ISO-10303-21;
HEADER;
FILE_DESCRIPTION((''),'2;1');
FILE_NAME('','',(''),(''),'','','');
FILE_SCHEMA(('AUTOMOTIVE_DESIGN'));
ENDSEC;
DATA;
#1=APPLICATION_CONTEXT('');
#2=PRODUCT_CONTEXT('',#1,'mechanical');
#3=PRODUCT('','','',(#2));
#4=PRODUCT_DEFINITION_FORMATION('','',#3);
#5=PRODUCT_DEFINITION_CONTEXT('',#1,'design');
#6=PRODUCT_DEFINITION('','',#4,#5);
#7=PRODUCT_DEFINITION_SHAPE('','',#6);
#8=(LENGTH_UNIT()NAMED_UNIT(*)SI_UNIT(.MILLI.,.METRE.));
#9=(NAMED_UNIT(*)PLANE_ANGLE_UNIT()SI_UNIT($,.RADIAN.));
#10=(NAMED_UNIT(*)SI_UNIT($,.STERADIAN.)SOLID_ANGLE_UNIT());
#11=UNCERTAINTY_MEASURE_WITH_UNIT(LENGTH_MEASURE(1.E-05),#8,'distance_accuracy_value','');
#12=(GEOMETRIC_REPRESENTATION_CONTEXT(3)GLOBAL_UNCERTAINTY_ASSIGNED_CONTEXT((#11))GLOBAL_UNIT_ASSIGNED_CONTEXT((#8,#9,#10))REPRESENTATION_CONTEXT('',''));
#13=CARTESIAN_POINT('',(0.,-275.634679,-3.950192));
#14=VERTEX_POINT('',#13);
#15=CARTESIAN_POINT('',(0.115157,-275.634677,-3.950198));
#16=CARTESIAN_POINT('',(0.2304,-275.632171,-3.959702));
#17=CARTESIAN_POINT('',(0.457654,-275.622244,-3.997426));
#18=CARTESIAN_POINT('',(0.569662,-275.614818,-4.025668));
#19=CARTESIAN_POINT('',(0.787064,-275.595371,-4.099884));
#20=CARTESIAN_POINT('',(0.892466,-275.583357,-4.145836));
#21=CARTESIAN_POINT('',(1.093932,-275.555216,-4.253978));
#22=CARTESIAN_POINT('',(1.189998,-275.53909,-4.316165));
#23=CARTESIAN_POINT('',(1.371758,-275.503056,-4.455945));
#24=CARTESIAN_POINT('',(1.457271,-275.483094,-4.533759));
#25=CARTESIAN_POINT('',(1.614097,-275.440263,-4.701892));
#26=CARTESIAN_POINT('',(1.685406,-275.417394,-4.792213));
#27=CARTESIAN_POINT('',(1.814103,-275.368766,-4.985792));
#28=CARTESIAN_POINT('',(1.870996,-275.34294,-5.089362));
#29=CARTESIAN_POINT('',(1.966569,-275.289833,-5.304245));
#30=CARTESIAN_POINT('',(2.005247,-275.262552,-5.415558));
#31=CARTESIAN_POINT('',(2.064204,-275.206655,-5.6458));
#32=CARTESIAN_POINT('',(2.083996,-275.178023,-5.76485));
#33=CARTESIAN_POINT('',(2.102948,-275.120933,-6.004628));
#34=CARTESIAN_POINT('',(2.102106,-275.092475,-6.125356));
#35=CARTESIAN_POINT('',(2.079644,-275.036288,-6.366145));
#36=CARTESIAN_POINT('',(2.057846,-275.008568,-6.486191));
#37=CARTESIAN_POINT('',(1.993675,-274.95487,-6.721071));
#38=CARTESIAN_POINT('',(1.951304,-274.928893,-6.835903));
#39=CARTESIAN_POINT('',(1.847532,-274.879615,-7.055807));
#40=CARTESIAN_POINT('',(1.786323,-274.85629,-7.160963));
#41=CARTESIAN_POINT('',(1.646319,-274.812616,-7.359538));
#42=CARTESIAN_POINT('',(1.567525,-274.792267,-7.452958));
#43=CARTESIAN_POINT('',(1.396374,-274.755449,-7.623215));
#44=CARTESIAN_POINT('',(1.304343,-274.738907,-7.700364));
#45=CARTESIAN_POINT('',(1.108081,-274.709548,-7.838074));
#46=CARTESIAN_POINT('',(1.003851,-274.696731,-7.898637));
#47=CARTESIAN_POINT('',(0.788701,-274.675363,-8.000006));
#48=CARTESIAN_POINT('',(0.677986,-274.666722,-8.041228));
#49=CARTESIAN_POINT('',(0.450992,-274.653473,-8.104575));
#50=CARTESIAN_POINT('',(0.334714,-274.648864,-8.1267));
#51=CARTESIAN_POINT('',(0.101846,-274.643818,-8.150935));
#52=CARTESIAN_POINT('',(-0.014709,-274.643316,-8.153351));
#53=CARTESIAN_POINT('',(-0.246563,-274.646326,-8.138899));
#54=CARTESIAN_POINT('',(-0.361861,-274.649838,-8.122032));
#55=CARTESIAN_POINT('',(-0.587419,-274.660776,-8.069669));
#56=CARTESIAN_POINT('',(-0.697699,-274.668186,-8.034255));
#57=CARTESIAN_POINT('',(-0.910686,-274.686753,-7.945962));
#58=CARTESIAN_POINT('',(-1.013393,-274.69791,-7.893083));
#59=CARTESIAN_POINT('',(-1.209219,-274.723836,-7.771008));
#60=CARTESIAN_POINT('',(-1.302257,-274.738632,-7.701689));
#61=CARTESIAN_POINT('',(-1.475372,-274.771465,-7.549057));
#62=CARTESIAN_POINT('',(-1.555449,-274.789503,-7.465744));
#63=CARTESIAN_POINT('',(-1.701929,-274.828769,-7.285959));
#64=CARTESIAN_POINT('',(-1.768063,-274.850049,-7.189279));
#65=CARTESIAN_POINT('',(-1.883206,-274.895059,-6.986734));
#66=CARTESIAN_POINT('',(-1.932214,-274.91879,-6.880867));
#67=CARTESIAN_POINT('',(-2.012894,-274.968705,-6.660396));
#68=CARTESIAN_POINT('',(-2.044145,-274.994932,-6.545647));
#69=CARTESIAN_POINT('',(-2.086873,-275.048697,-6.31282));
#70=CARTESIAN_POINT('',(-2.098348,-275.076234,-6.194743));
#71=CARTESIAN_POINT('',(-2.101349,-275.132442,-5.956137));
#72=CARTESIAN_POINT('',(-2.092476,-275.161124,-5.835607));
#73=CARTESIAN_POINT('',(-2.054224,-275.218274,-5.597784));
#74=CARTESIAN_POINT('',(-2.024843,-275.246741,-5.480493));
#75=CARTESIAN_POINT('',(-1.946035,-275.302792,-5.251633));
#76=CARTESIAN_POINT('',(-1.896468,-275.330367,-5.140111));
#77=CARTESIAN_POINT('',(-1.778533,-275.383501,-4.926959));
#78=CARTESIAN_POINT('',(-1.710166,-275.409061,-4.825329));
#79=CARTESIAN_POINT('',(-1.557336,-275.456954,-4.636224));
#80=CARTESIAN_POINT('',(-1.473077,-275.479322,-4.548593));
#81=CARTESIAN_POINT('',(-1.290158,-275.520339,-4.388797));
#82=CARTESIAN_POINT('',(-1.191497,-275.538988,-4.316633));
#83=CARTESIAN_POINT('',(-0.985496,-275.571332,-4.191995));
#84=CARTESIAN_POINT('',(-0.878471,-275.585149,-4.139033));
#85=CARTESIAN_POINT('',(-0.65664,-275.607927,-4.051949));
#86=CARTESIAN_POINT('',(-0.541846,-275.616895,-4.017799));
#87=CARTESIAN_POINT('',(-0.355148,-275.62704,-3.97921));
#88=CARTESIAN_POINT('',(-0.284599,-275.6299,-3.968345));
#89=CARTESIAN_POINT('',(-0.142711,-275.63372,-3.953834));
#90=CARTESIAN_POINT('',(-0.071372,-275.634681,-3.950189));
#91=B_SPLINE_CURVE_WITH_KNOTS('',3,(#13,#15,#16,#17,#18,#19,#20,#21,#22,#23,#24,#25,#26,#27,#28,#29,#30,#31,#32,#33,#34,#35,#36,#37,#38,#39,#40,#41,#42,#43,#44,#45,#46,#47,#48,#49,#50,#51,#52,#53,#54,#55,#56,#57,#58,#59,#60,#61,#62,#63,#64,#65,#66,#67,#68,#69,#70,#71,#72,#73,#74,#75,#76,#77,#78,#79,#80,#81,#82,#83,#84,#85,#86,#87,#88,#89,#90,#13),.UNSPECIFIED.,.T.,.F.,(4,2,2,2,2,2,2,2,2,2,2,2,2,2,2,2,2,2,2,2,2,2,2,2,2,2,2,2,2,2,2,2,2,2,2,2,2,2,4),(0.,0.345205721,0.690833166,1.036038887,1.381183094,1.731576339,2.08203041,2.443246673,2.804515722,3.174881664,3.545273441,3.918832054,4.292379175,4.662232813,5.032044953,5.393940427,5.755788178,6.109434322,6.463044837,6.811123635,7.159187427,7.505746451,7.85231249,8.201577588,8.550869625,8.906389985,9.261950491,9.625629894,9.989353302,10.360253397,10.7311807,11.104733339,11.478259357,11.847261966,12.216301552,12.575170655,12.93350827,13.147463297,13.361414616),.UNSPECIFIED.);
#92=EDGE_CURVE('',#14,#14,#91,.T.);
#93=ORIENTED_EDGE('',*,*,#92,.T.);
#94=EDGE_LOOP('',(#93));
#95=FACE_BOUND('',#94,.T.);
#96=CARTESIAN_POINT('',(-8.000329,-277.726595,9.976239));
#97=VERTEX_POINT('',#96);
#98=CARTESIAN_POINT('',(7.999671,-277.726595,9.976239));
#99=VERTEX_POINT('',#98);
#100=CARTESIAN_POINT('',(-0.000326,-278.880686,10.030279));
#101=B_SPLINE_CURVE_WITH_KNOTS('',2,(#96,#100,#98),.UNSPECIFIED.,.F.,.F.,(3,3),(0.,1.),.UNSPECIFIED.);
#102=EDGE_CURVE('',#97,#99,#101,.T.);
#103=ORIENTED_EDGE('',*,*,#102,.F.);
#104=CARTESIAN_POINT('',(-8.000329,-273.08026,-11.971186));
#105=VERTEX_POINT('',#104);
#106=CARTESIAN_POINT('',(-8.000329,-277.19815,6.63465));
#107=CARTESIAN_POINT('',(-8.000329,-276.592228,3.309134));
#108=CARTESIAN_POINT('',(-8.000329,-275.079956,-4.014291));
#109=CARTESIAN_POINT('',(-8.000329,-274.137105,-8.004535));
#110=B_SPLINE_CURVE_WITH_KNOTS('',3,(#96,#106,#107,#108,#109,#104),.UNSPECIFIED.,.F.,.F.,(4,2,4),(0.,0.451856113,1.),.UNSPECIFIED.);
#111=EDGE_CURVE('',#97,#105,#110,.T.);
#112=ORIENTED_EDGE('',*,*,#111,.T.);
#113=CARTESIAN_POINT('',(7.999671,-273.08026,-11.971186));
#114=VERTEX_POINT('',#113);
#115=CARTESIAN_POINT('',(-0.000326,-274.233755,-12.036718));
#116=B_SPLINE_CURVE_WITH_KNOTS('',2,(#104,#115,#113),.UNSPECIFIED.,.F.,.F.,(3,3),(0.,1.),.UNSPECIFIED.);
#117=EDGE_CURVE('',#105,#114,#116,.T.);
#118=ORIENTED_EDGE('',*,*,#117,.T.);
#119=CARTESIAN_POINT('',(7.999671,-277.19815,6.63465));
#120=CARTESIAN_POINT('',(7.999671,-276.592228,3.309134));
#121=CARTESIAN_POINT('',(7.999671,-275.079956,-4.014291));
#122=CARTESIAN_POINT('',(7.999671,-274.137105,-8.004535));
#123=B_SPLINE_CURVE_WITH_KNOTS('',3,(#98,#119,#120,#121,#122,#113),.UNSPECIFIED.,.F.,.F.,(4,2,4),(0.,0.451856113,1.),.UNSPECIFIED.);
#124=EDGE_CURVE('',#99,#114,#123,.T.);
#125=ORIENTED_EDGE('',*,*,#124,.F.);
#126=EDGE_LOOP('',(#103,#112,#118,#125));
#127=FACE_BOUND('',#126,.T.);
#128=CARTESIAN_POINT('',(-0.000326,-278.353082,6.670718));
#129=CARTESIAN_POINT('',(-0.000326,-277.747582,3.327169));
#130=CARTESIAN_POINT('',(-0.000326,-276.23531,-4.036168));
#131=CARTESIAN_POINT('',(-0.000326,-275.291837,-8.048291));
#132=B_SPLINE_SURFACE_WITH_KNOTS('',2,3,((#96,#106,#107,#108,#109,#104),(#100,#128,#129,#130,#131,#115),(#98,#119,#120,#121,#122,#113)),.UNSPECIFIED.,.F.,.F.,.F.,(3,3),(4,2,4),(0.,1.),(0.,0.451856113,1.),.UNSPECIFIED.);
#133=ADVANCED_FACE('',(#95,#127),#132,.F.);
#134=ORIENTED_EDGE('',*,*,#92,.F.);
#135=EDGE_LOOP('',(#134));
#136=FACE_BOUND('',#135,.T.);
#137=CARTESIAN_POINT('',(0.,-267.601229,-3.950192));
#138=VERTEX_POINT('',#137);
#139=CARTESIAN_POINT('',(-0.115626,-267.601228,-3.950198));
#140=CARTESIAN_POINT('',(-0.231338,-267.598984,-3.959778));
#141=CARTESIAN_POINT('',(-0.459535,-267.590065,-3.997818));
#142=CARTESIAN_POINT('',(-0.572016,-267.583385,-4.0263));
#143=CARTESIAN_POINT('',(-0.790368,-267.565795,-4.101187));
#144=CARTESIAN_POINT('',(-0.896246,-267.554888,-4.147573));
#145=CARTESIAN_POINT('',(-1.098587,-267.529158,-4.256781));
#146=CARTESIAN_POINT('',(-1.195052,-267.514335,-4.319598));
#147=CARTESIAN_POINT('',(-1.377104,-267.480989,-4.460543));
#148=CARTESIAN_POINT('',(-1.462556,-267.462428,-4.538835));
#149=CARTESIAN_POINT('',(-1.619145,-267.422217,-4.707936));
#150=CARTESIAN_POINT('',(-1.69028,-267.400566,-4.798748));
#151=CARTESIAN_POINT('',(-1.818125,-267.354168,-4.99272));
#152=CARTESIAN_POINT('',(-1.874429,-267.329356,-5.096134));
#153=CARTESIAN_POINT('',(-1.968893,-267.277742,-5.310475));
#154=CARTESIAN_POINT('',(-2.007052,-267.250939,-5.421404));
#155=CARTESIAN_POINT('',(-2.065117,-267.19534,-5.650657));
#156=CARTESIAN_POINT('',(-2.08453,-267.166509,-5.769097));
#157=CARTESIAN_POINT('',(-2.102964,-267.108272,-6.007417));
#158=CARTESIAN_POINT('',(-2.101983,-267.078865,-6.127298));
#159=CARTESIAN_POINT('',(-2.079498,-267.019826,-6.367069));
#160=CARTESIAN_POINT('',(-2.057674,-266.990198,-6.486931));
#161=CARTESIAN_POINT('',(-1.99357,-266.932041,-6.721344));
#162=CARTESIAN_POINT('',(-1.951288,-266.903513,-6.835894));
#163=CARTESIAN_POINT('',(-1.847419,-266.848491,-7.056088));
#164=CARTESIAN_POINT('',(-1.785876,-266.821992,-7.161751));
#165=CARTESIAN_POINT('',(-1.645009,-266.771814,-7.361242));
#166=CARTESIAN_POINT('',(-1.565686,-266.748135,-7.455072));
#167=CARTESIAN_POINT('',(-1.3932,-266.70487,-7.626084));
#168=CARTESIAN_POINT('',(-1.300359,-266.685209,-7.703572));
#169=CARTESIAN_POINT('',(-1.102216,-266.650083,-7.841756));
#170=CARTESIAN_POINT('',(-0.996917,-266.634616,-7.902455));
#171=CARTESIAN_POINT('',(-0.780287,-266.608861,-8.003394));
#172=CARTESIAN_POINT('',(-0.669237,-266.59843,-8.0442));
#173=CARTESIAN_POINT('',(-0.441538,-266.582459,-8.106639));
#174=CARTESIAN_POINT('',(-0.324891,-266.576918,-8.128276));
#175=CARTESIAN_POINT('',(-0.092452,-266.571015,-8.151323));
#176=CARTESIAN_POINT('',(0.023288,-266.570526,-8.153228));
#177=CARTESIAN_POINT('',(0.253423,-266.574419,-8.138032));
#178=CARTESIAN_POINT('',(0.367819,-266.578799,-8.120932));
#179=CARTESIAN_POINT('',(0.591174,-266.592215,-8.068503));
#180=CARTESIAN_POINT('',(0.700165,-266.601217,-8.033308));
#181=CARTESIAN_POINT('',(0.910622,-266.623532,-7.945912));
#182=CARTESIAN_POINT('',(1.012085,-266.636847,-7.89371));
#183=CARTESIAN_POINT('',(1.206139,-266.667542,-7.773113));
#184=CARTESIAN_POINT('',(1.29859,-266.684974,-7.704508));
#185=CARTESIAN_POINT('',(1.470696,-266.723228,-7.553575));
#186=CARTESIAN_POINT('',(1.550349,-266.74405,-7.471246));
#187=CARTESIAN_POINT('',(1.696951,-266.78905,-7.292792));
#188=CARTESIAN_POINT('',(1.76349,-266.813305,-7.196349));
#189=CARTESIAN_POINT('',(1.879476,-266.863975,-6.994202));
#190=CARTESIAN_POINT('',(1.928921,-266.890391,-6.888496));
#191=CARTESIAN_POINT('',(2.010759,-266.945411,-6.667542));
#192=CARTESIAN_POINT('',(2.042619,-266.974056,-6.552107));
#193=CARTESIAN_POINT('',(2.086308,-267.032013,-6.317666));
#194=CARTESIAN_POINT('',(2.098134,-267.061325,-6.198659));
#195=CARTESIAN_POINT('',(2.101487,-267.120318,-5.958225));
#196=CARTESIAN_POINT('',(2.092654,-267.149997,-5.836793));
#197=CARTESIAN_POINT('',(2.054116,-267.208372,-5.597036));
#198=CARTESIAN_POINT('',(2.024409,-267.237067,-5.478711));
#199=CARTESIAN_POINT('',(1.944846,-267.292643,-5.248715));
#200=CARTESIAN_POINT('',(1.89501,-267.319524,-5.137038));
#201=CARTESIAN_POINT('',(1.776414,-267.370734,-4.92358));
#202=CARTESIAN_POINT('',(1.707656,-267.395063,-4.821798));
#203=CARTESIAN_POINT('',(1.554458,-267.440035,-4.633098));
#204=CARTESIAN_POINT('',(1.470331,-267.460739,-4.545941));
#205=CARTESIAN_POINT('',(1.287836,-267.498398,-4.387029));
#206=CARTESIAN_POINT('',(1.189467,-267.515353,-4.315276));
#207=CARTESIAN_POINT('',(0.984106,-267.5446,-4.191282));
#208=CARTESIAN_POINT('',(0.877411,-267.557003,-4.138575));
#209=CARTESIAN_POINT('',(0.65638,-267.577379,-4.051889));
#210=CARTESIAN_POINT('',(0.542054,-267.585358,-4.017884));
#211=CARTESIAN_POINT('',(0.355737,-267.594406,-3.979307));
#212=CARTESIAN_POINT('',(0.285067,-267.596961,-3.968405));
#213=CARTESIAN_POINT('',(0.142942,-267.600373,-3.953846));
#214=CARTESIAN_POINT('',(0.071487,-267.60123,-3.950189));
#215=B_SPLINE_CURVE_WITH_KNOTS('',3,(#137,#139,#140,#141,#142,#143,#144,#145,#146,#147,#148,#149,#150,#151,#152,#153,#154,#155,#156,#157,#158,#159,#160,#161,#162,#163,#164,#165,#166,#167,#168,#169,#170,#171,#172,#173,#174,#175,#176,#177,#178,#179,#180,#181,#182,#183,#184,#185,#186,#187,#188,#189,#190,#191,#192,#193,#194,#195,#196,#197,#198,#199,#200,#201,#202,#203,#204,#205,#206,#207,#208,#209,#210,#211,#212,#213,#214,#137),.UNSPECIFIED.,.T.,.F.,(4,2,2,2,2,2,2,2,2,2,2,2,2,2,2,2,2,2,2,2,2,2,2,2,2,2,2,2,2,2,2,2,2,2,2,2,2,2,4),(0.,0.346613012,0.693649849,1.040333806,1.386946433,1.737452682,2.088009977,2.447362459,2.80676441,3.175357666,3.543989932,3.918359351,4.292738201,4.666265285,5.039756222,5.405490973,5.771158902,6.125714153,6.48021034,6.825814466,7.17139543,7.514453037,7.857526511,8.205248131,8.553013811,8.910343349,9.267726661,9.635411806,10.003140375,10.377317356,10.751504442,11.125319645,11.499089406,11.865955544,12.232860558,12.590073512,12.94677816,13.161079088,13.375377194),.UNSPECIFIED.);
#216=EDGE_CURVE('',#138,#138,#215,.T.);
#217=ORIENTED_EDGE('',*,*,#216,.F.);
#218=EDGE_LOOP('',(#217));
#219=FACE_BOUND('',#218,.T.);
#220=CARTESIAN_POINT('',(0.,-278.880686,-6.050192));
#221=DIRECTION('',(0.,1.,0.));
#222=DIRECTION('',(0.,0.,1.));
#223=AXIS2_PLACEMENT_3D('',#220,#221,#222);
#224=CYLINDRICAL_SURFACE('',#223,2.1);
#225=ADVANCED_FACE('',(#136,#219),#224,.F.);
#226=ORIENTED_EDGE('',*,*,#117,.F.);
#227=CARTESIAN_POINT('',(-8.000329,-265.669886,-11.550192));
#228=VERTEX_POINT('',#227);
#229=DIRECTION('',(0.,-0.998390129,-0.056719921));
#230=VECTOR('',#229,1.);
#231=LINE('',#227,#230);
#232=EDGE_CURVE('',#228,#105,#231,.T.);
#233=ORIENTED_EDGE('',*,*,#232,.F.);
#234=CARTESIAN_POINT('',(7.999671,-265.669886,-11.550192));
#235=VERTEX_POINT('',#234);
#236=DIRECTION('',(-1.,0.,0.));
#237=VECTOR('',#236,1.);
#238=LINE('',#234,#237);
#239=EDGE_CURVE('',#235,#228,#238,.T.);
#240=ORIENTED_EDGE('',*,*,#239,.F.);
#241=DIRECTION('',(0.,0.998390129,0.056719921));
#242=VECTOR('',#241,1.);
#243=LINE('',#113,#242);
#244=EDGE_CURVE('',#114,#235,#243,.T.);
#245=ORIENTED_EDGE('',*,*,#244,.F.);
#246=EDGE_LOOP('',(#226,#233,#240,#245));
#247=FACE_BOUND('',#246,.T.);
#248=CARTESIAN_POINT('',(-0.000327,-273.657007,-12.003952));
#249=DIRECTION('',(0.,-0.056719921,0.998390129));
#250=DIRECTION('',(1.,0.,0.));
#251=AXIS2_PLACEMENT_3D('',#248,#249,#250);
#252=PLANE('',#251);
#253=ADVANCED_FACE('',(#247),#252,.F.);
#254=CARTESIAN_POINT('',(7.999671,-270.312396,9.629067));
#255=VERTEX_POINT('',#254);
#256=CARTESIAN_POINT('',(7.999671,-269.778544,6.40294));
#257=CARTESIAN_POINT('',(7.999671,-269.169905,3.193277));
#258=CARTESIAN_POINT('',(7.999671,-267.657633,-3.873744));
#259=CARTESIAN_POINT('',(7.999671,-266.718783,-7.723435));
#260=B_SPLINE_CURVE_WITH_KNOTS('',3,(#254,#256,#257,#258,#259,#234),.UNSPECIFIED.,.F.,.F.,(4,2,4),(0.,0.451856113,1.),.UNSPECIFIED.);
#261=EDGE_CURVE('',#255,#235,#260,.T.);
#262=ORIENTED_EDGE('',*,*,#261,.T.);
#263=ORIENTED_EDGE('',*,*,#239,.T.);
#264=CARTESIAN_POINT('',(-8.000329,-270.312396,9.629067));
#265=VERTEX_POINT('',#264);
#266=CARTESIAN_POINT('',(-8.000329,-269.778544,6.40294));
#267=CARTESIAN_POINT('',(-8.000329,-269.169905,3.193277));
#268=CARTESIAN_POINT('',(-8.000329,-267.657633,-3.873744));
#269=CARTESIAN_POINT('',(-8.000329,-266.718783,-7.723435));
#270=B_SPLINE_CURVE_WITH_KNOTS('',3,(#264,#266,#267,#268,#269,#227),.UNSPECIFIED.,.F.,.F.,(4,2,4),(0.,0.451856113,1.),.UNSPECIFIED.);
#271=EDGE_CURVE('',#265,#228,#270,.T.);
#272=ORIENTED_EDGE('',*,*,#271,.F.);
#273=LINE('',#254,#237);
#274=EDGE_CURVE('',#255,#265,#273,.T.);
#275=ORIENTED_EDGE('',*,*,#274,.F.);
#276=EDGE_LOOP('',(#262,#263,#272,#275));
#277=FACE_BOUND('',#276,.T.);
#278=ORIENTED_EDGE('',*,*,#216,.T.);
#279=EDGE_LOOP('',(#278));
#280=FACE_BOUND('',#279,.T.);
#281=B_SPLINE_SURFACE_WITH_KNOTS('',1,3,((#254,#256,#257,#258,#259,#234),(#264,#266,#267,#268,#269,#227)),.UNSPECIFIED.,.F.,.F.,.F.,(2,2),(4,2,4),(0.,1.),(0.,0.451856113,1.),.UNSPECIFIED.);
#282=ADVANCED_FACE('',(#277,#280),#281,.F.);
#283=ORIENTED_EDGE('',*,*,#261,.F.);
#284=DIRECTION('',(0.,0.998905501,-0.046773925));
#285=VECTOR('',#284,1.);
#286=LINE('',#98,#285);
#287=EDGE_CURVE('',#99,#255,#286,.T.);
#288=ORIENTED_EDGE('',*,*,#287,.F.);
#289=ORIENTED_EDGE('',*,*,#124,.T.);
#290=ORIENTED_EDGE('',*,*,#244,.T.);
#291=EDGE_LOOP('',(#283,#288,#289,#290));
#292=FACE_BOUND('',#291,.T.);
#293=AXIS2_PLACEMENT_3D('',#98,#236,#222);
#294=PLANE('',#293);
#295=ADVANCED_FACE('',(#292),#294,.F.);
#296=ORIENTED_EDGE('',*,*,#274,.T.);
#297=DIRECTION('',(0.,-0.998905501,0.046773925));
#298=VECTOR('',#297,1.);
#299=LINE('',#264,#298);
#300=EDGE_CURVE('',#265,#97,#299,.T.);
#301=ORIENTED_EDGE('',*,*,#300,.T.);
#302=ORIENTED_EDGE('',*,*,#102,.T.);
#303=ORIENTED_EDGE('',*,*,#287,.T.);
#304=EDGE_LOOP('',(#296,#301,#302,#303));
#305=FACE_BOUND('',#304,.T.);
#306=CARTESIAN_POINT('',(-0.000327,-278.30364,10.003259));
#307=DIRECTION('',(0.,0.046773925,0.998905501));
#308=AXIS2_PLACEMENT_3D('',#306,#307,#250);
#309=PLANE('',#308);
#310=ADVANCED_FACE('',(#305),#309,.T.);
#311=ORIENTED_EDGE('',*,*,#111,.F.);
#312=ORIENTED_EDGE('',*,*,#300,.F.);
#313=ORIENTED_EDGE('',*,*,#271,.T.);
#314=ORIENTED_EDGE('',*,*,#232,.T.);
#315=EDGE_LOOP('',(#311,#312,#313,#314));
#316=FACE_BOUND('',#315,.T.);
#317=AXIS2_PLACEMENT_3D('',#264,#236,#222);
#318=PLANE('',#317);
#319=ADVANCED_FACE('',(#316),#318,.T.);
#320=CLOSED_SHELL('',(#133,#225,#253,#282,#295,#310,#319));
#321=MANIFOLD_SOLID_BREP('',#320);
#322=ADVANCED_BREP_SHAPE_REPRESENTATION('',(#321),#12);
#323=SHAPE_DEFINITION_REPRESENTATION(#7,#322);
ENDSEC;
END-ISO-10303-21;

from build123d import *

# Parameters (mm, degrees)
SKETCH8_R          = 2.1
CUT_EXTRUDE2_DEPTH = 20.175814847


with BuildPart() as part:
    # Sweep1: sweep along a path in Sketch5
    with BuildLine() as sweep1_path:  # in the path sketch's own coordinates; laid on its plane below (add() does not lay a ready-made edge on the line's plane)
        add(Edge.make_bspline(
            [(12, -273.587448275), (1.118694171, -276.48109121), (-10, -278.234045614)],
            knots=[0, 0, 0, 1, 1, 1], degree=2))
    # Sketch2 → Sweep1 (sweep)
    with BuildSketch(Plane.XY):
        with BuildLine():
            Line((7.999671005, -275.908898325), (7.999671005, -268.48657561))
            Line((7.999671005, -268.48657561), (-8.000328995, -268.48657561))
            Line((-8.000328995, -268.48657561), (-8.000328995, -275.908898325))
            add(Edge.make_bspline(
                [(7.999671005, -275.908898325), (-0.000325582, -277.064252884), (-8.000328995, -275.908898325)],
                knots=[0, 0, 0, 1, 1, 1], degree=2))
        make_face()
    sweep(path=Plane(origin=(0, 0, 0), x_dir=(0, 0, -1), z_dir=(1, 0, 0)) * sweep1_path.line)

    # Sketch8 → Cut-Extrude2 (cut, through all)
    with BuildSketch(Plane(origin=(0, -265.669886224, 0), x_dir=(1, 0, 0), z_dir=(0, 1, 0))):
        with Locations(Location((-4.6e-08, 6.050192376, 0), (0, 0, 270))):
            Circle(SKETCH8_R)
    extrude(amount=-CUT_EXTRUDE2_DEPTH, mode=Mode.SUBTRACT)


solid = part.part
